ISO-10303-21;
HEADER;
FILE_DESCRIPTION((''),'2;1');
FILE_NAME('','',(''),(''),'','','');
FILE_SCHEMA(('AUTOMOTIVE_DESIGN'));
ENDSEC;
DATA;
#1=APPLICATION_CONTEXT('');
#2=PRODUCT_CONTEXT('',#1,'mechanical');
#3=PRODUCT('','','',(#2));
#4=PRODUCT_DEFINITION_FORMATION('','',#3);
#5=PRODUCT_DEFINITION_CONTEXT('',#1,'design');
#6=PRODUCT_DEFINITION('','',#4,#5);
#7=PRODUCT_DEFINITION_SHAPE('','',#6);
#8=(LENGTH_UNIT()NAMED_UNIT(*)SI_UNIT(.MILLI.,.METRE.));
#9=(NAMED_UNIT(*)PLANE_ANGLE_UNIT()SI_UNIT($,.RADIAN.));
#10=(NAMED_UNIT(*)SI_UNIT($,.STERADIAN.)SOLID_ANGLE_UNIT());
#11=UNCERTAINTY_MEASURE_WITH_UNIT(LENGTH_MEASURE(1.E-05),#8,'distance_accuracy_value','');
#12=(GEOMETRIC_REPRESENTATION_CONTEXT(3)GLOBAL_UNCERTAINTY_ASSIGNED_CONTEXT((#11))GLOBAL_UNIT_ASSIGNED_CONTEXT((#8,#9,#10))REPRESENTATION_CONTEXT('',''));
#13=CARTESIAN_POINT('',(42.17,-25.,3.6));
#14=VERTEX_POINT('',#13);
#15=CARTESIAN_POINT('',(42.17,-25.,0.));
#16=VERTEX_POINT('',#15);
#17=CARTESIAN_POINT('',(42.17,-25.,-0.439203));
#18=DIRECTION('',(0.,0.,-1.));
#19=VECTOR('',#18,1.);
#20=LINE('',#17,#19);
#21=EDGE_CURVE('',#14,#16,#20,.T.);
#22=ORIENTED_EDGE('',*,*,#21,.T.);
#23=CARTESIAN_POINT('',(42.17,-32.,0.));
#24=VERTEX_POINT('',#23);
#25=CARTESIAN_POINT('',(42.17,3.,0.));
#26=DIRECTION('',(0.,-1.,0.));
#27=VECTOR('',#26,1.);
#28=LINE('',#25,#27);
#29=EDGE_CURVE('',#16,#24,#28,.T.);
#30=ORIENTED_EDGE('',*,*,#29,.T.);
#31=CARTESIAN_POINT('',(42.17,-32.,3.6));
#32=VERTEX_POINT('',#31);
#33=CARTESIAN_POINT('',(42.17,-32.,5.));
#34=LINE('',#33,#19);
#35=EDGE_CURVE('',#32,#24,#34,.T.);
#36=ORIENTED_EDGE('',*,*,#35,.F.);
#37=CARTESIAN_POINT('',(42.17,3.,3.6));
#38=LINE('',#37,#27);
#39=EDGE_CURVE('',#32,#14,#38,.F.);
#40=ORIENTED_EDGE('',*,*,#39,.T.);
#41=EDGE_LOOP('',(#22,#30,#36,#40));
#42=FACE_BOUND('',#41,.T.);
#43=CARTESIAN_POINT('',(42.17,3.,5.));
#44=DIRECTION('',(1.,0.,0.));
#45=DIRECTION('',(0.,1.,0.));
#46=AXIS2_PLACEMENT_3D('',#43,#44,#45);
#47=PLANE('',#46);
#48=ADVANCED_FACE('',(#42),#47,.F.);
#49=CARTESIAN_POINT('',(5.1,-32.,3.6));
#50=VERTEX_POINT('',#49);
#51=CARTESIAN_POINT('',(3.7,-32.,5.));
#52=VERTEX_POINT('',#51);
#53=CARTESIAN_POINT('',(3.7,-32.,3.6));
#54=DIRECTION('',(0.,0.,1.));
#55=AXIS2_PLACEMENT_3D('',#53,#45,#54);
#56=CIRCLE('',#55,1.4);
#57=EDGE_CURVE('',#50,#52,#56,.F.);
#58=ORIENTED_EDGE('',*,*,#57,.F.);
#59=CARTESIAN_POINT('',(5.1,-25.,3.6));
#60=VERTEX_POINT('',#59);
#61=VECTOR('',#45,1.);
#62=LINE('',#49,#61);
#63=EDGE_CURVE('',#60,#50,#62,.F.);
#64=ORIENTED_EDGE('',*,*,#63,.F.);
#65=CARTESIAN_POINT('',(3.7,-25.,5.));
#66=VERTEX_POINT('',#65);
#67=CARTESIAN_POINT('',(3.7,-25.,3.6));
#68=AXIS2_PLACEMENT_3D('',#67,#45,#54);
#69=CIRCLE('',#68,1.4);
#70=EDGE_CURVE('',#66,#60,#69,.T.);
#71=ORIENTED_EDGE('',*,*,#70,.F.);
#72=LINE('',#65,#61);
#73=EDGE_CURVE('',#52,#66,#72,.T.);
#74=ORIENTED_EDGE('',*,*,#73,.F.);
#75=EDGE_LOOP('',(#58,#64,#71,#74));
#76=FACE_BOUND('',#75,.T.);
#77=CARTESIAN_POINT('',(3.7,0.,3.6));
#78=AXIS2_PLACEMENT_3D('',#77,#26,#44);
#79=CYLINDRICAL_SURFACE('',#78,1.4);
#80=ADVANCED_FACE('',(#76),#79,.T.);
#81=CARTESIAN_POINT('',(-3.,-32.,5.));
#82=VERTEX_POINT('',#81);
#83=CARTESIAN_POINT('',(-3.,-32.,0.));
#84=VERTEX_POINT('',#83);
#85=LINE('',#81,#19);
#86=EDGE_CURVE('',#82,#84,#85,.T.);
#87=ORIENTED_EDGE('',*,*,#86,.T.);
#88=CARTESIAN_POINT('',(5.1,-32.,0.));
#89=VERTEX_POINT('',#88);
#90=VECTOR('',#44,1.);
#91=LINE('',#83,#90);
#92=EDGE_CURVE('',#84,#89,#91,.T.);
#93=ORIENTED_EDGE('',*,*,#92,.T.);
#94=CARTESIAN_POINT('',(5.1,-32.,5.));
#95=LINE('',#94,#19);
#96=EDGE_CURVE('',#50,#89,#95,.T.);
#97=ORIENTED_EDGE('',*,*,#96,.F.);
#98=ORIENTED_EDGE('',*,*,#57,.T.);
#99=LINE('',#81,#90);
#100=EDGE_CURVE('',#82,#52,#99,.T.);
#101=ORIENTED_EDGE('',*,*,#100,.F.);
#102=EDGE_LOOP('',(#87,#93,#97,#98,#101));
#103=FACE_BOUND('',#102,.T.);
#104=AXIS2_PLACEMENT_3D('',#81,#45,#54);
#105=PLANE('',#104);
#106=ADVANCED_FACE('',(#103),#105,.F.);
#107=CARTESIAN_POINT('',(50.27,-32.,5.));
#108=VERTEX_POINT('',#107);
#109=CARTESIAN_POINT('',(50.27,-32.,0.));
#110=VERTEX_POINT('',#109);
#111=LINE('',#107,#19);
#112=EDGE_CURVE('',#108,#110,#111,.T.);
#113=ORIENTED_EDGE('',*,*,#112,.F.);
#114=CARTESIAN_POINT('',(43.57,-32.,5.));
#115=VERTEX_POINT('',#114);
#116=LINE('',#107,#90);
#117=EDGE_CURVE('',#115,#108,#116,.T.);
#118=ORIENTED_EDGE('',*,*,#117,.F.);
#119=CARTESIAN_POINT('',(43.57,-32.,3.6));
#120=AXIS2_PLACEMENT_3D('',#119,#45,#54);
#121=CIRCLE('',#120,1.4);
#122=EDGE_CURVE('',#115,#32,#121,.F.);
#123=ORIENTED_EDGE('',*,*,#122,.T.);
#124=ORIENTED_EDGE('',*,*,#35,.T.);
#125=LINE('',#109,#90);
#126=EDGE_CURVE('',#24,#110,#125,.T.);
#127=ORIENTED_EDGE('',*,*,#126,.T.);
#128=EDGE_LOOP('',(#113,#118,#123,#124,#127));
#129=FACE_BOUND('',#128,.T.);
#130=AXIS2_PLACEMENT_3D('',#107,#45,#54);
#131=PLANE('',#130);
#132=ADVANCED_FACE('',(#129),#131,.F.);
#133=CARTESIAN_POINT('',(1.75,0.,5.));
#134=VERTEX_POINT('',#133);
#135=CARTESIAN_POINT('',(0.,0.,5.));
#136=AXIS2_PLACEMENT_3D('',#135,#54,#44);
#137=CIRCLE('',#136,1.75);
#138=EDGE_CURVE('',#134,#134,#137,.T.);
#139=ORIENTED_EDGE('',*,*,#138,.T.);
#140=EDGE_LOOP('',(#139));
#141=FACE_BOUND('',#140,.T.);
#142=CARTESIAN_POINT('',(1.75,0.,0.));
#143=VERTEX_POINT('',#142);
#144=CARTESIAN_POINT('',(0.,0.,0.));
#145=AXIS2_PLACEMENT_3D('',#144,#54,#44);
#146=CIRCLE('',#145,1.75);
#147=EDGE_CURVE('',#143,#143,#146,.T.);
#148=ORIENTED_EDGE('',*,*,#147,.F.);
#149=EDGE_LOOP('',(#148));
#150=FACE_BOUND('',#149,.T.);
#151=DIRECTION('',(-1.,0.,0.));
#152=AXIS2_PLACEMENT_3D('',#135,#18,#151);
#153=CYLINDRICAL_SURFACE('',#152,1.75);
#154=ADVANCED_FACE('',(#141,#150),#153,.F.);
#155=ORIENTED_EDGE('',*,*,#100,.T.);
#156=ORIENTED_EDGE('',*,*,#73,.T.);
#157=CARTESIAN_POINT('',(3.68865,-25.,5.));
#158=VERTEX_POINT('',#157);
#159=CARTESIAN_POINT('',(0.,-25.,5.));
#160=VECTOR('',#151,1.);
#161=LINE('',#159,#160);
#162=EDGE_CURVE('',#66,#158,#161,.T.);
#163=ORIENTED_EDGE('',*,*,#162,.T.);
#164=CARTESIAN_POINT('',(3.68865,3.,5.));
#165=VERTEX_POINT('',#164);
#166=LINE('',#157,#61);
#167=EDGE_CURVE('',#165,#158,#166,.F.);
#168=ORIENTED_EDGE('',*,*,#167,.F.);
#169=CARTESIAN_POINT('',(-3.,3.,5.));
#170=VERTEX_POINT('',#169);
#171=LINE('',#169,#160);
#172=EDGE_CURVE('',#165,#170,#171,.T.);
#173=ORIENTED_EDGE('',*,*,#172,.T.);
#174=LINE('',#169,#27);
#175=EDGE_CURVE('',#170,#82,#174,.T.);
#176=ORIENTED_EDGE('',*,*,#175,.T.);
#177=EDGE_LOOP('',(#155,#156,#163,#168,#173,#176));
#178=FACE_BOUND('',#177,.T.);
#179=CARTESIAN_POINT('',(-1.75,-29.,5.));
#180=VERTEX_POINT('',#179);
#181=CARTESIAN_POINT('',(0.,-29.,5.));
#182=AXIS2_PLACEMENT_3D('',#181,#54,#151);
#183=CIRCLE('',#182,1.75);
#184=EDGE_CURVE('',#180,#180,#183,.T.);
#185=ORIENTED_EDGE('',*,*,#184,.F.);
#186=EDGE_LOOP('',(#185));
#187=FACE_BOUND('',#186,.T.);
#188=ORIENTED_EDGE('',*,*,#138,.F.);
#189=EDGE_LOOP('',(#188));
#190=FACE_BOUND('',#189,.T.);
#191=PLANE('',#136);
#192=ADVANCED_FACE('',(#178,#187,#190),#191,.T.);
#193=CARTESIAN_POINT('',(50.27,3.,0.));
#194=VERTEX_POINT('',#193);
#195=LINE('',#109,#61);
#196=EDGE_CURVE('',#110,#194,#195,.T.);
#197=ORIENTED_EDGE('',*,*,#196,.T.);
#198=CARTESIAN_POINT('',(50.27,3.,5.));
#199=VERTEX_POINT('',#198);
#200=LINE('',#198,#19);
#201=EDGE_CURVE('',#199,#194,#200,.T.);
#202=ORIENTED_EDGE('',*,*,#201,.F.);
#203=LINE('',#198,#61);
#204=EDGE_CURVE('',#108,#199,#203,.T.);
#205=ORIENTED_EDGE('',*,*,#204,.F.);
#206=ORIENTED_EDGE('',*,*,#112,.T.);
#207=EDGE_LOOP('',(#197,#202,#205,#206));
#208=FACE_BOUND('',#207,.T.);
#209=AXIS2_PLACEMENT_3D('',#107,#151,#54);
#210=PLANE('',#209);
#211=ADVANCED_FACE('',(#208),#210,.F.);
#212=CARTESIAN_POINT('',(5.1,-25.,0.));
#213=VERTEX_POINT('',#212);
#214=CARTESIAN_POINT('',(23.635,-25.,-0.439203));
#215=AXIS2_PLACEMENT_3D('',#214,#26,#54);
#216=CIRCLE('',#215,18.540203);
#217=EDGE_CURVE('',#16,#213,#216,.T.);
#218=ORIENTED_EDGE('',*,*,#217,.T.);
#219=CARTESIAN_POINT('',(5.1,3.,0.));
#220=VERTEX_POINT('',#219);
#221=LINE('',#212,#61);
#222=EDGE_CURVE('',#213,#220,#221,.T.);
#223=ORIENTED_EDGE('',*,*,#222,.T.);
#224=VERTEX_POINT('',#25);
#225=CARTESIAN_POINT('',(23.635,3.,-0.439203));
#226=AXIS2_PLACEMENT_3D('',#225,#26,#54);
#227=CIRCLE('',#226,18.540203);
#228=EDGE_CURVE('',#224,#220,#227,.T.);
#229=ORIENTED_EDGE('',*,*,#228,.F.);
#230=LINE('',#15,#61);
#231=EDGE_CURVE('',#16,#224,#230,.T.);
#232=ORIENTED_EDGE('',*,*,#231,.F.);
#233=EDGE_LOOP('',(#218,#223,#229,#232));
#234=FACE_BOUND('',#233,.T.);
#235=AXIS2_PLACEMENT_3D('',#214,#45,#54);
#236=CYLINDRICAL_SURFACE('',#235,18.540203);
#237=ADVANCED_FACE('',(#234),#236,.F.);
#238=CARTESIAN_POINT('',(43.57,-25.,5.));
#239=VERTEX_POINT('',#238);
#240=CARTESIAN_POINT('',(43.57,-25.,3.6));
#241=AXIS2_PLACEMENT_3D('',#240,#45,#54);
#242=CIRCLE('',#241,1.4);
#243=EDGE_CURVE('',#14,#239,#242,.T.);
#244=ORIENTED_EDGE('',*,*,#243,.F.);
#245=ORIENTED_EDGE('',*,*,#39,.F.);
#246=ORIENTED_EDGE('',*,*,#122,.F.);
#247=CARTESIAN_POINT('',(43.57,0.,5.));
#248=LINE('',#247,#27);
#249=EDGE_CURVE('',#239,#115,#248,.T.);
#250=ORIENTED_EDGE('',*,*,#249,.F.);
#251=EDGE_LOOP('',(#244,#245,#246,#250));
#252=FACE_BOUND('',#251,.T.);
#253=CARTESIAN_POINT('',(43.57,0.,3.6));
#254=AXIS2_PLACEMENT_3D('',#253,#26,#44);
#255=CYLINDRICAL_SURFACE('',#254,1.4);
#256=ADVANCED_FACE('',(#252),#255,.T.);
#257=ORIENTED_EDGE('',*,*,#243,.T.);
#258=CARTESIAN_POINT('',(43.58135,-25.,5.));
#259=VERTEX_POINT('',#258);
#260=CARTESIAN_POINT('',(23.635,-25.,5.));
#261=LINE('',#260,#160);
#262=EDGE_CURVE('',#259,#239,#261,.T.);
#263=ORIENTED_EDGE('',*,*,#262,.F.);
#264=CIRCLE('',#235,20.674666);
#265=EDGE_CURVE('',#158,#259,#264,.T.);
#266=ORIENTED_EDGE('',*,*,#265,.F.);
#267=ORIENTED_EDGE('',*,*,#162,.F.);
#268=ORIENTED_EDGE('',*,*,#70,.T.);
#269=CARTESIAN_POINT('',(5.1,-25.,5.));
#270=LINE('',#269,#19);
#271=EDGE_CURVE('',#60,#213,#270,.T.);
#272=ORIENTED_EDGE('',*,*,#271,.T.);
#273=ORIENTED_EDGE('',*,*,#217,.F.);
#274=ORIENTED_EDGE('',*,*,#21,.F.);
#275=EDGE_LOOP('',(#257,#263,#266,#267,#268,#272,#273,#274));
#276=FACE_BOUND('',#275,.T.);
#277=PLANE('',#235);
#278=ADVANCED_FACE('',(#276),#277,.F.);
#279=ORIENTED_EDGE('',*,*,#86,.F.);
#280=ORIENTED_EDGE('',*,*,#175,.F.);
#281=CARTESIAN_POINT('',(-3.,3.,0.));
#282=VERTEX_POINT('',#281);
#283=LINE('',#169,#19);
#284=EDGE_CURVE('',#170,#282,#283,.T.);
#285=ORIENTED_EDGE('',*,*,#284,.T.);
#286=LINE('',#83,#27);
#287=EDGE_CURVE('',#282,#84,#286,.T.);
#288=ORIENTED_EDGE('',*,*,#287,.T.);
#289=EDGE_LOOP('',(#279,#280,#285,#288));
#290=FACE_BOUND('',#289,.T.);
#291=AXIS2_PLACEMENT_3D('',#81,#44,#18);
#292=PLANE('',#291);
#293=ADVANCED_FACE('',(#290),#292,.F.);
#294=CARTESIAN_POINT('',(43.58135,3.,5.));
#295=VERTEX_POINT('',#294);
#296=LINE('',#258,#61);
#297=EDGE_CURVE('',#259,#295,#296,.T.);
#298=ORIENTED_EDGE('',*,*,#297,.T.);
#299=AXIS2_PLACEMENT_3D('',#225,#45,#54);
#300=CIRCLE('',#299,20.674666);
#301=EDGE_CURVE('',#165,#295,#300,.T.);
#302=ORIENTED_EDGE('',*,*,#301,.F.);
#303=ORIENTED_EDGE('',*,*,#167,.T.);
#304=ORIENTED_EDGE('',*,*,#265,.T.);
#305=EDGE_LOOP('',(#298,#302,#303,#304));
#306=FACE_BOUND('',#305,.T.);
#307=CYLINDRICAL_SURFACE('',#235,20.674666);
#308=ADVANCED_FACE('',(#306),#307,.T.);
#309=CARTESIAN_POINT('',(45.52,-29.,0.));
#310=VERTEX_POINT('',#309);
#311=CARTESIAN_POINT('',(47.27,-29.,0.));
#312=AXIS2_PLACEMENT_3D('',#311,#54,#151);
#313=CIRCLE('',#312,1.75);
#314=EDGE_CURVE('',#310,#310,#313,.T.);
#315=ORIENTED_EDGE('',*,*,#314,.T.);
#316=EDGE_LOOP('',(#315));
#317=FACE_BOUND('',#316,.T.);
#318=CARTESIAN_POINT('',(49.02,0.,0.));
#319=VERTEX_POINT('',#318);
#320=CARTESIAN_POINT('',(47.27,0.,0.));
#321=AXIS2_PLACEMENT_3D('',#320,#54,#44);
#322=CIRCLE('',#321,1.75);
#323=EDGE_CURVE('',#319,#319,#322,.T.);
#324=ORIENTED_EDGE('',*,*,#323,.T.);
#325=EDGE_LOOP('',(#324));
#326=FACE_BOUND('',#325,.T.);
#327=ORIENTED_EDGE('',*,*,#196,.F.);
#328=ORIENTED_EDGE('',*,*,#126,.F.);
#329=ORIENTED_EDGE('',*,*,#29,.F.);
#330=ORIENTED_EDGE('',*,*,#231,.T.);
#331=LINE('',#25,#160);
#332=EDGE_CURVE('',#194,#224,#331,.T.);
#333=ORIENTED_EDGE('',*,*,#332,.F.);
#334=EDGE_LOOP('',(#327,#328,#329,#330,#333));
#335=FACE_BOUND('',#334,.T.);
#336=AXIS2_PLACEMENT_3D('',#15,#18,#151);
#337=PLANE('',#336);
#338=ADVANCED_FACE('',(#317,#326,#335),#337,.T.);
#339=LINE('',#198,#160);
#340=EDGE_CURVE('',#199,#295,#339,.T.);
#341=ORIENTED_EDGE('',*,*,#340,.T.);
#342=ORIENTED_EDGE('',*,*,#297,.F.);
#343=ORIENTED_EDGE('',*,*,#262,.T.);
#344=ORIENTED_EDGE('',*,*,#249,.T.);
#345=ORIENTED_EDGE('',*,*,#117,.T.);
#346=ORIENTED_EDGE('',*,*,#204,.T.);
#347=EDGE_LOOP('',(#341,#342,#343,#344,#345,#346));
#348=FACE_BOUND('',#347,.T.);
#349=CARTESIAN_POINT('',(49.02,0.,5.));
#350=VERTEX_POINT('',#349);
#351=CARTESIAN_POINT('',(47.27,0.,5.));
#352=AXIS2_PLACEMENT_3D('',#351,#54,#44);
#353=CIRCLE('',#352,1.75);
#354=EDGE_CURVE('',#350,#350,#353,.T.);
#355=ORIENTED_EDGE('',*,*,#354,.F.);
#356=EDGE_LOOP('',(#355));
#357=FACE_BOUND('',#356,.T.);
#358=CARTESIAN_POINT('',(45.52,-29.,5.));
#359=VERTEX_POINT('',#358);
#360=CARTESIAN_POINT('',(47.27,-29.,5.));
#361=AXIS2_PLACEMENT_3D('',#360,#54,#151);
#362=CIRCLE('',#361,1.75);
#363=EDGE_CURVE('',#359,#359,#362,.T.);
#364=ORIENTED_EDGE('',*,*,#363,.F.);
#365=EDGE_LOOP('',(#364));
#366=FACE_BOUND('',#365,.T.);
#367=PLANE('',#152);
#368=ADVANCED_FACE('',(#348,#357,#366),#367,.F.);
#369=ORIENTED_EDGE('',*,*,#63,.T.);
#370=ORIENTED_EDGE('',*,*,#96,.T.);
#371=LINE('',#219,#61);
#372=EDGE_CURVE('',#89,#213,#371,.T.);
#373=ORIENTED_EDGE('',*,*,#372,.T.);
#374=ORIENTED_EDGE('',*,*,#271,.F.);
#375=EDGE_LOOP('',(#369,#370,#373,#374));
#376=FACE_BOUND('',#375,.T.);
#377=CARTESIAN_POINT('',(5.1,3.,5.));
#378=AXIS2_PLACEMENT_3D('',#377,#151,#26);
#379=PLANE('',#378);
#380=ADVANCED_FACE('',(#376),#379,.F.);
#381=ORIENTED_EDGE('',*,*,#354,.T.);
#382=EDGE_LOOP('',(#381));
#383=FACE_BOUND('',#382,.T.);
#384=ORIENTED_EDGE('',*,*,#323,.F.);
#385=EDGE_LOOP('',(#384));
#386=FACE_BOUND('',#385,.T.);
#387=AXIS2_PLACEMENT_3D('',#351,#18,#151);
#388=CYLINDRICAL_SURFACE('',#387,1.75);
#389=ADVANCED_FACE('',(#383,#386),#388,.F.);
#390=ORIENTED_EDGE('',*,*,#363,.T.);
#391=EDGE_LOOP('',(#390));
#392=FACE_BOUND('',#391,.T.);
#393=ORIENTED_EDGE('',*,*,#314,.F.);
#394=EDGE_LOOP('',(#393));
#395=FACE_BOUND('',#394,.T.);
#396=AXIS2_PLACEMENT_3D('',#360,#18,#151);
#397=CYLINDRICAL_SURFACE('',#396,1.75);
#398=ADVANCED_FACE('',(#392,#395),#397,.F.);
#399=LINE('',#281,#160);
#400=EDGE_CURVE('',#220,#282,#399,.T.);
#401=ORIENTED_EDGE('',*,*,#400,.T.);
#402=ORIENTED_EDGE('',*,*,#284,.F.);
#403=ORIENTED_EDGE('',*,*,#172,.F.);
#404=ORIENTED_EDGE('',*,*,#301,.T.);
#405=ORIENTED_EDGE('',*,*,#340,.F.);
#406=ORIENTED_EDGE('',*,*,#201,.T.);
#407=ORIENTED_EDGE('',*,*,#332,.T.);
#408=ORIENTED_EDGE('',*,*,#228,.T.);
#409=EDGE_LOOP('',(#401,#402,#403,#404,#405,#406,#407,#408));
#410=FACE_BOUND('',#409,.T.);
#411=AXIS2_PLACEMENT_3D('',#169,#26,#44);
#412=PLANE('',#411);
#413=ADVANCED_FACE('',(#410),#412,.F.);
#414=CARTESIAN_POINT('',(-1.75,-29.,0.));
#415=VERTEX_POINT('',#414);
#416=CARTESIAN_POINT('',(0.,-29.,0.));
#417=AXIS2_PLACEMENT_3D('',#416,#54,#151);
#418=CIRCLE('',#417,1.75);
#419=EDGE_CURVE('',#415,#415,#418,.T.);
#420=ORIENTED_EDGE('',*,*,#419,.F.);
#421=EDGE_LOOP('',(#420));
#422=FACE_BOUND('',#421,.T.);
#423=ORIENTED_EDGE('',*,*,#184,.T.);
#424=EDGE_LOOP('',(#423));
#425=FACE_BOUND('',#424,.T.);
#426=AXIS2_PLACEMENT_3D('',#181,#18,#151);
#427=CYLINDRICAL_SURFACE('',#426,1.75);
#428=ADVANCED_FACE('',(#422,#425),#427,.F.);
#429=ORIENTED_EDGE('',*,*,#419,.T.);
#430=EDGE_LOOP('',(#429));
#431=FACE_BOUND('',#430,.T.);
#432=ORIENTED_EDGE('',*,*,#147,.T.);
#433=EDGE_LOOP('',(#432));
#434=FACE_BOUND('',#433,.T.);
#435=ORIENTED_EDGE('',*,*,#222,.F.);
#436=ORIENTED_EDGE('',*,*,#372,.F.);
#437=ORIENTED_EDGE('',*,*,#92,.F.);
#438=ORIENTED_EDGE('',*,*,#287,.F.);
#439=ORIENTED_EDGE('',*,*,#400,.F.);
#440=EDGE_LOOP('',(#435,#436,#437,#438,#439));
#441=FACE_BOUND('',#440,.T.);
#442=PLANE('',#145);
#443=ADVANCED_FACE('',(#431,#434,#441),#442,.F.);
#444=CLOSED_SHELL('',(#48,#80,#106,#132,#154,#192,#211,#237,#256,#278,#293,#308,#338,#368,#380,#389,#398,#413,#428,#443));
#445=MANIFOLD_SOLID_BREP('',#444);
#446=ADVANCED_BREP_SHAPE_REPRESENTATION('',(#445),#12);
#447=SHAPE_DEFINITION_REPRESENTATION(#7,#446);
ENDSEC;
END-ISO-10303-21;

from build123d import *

# Parameters (mm, degrees)
SKETCH1_R             = 1.75
BOSS_EXTRUDE1_DEPTH   = 5
BOSS_EXTRUDE1_2_DEPTH = 5
SKETCH1_2_R           = 1.75
BOSS_EXTRUDE2_DEPTH   = 5
BOSS_EXTRUDE3_DEPTH   = 28
FILLET1_R             = 1.4


with BuildPart() as part:
    # Sketch1 → Boss-Extrude1 (new body)
    with BuildSketch(Plane.XY):
        Polygon((-3, 3), (5.1, 3), (5.1, -32), (-3, -32), (-3, -26), align=None)
        Circle(SKETCH1_R, mode=Mode.SUBTRACT)
        with Locations((0, -29)):
            Circle(SKETCH1_R, mode=Mode.SUBTRACT)
    extrude(amount=BOSS_EXTRUDE1_DEPTH)



with BuildPart() as body_2:
    # Sketch1 → Boss-Extrude1 2 (new body)
    with BuildSketch(Plane.XY):
        Polygon((50.27, 3), (42.17, 3), (42.17, -32), (50.27, -32), (50.27, -26), align=None)
        with Locations((47.27, 0)):
            Circle(SKETCH1_R, mode=Mode.SUBTRACT)
        with Locations((47.27, -29)):
            Circle(SKETCH1_R, mode=Mode.SUBTRACT)
    extrude(amount=BOSS_EXTRUDE1_2_DEPTH)


with BuildPart() as part_1:
    add(part.part)

    add(body_2.part)  # Boss-Extrude2 merges body 2
    # Sketch1<2> → Boss-Extrude2 (add)
    # profile 1 of 2: a face of its own
    with BuildSketch(Plane.XY):
        Polygon((-3, 3), (5.1, 3), (5.1, -32), (-3, -32), (-3, -26), align=None)
        Circle(SKETCH1_2_R, mode=Mode.SUBTRACT)
        with Locations((0, -29)):
            Circle(SKETCH1_2_R, mode=Mode.SUBTRACT)
    # profile 2 of 2: a face of its own
    with BuildSketch(Plane.XY):
        Polygon((50.27, 3), (42.17, 3), (42.17, -32), (50.27, -32), (50.27, -26), align=None)
        with Locations((47.27, 0)):
            Circle(SKETCH1_2_R, mode=Mode.SUBTRACT)
        with Locations((47.27, -29)):
            Circle(SKETCH1_2_R, mode=Mode.SUBTRACT)
    extrude(amount=BOSS_EXTRUDE2_DEPTH)

    # Sketch2 → Boss-Extrude3 (add)
    with BuildSketch(Plane(origin=(0, 3, 0), x_dir=(1, 0, 0), z_dir=(0, 1, 0))):
        with BuildLine():
            Line((42.17, 0), (44.305, 0))
            ThreePointArc((44.305, 0), (23.635, -20.235462541), (2.965, 0))
            Line((2.965, 0), (5.1, 0))
            ThreePointArc((5.1, 0), (23.635, -18.100999821), (42.17, 0))
        make_face()
    extrude(amount=-BOSS_EXTRUDE3_DEPTH)

    # Fillet1
    fillet1_edges = [part_1.edges().sort_by_distance(p)[0] for p in [
        (42.17, -28.5, 5),
        (5.1, -28.5, 5),
    ]]
    fillet(fillet1_edges, radius=FILLET1_R)


solid = part_1.part
